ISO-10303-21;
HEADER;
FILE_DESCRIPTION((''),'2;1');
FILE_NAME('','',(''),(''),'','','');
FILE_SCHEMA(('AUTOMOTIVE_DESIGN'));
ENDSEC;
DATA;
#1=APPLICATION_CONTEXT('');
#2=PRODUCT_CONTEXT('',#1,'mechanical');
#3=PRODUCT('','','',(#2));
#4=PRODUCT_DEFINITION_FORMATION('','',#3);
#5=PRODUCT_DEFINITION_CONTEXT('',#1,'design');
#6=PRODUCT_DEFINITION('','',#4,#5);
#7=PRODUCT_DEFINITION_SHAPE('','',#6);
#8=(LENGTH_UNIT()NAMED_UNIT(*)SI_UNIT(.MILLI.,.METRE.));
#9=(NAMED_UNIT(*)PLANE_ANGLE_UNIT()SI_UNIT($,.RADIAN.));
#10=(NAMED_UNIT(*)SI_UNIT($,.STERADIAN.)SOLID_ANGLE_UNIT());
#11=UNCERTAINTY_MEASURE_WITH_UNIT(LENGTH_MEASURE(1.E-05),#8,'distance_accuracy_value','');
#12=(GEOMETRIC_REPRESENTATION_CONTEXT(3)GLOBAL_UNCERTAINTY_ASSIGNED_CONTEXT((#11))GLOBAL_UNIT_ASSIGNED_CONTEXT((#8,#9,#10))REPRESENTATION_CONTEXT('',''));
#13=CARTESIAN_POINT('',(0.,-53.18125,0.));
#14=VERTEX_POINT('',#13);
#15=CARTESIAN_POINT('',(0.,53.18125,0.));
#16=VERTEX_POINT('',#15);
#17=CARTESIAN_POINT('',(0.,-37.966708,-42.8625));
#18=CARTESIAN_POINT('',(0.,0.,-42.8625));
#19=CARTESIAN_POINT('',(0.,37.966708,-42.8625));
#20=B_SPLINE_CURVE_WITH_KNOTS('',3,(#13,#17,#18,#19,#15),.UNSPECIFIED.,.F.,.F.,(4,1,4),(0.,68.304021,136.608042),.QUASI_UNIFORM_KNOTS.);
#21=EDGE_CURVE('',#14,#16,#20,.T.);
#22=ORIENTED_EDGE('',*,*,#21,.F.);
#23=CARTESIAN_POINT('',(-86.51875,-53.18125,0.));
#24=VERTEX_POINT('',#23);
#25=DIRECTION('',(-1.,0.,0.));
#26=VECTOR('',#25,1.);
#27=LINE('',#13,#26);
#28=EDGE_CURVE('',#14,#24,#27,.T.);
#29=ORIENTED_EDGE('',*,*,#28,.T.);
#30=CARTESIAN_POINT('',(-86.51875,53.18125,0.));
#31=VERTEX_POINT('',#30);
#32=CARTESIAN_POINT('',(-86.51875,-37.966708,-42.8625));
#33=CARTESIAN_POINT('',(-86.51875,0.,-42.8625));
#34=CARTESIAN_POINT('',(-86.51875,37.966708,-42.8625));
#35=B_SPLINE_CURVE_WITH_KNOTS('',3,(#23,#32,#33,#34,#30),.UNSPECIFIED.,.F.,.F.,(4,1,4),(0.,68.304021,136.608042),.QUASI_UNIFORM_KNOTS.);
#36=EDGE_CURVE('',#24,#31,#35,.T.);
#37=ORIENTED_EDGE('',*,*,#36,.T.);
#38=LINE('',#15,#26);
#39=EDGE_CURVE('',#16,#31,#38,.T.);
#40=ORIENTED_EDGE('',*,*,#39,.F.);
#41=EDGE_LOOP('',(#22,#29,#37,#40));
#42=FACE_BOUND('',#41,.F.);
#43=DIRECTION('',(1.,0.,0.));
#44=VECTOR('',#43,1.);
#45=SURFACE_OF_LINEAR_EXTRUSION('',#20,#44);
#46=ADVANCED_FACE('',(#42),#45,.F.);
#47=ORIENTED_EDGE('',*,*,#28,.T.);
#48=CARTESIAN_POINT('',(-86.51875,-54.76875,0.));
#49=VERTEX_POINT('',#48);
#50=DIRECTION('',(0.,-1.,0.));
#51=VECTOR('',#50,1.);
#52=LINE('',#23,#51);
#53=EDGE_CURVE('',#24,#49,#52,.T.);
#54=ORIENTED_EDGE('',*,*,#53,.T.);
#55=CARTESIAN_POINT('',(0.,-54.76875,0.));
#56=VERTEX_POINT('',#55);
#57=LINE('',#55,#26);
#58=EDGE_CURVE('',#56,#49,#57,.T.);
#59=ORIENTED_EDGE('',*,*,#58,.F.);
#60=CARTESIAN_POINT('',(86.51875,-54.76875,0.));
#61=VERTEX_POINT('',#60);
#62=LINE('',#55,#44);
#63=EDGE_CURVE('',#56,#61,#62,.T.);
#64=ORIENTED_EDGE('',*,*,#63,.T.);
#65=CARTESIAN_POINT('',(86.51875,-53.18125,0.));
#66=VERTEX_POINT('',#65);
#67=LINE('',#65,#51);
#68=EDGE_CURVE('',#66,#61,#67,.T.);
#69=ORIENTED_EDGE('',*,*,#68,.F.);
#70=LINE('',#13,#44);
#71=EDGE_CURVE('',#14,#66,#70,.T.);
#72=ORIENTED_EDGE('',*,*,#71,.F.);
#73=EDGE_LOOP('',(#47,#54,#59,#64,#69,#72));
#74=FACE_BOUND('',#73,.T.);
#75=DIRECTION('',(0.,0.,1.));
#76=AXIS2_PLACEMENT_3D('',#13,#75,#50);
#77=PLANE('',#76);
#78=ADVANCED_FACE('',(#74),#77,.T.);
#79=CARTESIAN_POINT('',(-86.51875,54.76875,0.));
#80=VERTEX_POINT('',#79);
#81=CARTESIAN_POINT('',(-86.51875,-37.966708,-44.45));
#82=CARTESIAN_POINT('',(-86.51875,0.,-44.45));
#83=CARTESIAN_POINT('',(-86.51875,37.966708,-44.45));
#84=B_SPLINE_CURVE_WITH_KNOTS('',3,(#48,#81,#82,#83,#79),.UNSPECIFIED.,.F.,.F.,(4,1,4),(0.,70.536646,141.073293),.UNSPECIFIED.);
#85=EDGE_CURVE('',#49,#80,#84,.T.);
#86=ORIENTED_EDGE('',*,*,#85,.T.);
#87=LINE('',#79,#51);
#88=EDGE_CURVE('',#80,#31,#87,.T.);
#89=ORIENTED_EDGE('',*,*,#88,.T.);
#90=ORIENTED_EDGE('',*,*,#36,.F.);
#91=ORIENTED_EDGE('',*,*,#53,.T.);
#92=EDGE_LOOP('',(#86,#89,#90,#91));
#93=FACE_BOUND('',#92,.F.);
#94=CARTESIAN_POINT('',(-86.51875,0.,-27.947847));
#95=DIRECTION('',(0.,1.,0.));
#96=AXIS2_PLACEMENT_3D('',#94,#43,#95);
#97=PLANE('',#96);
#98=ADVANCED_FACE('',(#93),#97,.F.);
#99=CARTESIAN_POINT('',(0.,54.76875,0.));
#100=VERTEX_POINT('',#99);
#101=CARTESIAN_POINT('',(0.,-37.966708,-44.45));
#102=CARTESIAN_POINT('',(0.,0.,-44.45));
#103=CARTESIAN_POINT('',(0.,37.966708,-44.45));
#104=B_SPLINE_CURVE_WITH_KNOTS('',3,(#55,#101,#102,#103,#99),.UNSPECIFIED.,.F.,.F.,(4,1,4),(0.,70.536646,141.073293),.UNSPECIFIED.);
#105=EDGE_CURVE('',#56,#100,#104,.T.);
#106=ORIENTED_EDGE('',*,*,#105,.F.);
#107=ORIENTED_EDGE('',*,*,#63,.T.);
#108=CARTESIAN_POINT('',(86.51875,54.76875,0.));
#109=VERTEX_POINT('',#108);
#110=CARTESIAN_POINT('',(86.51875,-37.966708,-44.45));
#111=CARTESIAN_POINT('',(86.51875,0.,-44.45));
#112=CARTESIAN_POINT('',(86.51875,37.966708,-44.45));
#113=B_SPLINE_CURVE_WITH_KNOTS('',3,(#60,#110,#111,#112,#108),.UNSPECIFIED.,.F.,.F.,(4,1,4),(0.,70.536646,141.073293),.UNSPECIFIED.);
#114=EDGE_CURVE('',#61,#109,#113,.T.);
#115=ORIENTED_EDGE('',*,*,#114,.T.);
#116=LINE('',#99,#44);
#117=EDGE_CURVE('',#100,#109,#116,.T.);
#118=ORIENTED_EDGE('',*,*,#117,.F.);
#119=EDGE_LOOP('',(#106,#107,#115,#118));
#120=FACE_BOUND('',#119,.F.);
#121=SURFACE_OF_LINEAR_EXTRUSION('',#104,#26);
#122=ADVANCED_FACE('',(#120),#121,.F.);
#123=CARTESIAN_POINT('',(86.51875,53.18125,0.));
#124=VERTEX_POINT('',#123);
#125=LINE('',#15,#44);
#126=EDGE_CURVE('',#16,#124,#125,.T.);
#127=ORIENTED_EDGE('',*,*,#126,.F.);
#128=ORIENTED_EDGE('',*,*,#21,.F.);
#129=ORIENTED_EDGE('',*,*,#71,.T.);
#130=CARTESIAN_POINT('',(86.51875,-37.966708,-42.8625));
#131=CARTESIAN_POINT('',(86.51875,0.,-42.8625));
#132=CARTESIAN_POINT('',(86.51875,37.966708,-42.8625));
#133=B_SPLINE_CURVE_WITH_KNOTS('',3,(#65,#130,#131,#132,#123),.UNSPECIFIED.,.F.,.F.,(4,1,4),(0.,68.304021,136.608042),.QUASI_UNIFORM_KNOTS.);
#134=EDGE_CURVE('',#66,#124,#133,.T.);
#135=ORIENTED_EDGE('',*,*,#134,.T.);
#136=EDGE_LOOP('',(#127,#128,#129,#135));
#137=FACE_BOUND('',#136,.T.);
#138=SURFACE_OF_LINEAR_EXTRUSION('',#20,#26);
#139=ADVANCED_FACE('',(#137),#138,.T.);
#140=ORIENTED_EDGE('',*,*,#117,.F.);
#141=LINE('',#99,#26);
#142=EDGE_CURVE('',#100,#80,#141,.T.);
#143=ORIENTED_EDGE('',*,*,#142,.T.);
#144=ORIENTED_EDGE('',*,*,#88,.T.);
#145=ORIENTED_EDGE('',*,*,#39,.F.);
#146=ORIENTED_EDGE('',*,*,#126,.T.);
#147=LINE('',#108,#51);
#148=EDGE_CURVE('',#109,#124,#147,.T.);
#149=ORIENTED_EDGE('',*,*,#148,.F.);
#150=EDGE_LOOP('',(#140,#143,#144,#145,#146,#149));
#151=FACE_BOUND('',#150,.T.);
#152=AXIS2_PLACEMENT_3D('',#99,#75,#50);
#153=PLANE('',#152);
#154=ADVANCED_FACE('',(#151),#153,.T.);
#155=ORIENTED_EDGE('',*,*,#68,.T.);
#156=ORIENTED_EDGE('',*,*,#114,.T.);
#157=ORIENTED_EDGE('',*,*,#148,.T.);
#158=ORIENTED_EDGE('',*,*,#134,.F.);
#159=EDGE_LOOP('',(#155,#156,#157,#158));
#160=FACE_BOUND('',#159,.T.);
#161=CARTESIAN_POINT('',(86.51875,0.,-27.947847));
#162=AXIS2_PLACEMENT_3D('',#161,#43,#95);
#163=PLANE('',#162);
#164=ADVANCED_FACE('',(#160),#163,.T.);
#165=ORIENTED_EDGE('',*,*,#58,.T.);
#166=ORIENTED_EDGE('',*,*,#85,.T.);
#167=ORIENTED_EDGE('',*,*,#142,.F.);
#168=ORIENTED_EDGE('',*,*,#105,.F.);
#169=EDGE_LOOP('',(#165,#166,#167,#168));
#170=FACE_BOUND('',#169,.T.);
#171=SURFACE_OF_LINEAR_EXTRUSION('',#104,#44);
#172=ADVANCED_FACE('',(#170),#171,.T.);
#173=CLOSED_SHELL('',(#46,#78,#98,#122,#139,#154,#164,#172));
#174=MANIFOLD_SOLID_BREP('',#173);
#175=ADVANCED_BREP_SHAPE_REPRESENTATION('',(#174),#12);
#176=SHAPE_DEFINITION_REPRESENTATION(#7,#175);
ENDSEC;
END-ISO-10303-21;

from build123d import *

# Parameters (mm, degrees)
F1_DEPTH = 86.51875


with BuildPart() as f1:
    # F0 (on Right) → F1 (new body, symmetric)
    with BuildSketch(Plane.YZ):
        with BuildLine():
            Line((-53.18125, 0), (-54.76875, 0))
            add(Edge.make_bspline(
                [(-54.76875, 0), (-37.966708, -44.45), (0, -44.45), (37.966708, -44.45), (54.76875, 0)],
                knots=[0, 0, 0, 0, 70.536646, 141.073293, 141.073293, 141.073293, 141.073293], degree=3))
            Line((54.76875, 0), (53.18125, 0))
            add(Edge.make_bspline(
                [(-53.18125, 0), (-37.966708, -42.8625), (0, -42.8625), (37.966708, -42.8625), (53.18125, 0)],
                knots=[0, 0, 0, 0, 68.304021, 136.608042, 136.608042, 136.608042, 136.608042], degree=3))
        make_face()
    extrude(amount=F1_DEPTH, both=True)


solid = f1.part
